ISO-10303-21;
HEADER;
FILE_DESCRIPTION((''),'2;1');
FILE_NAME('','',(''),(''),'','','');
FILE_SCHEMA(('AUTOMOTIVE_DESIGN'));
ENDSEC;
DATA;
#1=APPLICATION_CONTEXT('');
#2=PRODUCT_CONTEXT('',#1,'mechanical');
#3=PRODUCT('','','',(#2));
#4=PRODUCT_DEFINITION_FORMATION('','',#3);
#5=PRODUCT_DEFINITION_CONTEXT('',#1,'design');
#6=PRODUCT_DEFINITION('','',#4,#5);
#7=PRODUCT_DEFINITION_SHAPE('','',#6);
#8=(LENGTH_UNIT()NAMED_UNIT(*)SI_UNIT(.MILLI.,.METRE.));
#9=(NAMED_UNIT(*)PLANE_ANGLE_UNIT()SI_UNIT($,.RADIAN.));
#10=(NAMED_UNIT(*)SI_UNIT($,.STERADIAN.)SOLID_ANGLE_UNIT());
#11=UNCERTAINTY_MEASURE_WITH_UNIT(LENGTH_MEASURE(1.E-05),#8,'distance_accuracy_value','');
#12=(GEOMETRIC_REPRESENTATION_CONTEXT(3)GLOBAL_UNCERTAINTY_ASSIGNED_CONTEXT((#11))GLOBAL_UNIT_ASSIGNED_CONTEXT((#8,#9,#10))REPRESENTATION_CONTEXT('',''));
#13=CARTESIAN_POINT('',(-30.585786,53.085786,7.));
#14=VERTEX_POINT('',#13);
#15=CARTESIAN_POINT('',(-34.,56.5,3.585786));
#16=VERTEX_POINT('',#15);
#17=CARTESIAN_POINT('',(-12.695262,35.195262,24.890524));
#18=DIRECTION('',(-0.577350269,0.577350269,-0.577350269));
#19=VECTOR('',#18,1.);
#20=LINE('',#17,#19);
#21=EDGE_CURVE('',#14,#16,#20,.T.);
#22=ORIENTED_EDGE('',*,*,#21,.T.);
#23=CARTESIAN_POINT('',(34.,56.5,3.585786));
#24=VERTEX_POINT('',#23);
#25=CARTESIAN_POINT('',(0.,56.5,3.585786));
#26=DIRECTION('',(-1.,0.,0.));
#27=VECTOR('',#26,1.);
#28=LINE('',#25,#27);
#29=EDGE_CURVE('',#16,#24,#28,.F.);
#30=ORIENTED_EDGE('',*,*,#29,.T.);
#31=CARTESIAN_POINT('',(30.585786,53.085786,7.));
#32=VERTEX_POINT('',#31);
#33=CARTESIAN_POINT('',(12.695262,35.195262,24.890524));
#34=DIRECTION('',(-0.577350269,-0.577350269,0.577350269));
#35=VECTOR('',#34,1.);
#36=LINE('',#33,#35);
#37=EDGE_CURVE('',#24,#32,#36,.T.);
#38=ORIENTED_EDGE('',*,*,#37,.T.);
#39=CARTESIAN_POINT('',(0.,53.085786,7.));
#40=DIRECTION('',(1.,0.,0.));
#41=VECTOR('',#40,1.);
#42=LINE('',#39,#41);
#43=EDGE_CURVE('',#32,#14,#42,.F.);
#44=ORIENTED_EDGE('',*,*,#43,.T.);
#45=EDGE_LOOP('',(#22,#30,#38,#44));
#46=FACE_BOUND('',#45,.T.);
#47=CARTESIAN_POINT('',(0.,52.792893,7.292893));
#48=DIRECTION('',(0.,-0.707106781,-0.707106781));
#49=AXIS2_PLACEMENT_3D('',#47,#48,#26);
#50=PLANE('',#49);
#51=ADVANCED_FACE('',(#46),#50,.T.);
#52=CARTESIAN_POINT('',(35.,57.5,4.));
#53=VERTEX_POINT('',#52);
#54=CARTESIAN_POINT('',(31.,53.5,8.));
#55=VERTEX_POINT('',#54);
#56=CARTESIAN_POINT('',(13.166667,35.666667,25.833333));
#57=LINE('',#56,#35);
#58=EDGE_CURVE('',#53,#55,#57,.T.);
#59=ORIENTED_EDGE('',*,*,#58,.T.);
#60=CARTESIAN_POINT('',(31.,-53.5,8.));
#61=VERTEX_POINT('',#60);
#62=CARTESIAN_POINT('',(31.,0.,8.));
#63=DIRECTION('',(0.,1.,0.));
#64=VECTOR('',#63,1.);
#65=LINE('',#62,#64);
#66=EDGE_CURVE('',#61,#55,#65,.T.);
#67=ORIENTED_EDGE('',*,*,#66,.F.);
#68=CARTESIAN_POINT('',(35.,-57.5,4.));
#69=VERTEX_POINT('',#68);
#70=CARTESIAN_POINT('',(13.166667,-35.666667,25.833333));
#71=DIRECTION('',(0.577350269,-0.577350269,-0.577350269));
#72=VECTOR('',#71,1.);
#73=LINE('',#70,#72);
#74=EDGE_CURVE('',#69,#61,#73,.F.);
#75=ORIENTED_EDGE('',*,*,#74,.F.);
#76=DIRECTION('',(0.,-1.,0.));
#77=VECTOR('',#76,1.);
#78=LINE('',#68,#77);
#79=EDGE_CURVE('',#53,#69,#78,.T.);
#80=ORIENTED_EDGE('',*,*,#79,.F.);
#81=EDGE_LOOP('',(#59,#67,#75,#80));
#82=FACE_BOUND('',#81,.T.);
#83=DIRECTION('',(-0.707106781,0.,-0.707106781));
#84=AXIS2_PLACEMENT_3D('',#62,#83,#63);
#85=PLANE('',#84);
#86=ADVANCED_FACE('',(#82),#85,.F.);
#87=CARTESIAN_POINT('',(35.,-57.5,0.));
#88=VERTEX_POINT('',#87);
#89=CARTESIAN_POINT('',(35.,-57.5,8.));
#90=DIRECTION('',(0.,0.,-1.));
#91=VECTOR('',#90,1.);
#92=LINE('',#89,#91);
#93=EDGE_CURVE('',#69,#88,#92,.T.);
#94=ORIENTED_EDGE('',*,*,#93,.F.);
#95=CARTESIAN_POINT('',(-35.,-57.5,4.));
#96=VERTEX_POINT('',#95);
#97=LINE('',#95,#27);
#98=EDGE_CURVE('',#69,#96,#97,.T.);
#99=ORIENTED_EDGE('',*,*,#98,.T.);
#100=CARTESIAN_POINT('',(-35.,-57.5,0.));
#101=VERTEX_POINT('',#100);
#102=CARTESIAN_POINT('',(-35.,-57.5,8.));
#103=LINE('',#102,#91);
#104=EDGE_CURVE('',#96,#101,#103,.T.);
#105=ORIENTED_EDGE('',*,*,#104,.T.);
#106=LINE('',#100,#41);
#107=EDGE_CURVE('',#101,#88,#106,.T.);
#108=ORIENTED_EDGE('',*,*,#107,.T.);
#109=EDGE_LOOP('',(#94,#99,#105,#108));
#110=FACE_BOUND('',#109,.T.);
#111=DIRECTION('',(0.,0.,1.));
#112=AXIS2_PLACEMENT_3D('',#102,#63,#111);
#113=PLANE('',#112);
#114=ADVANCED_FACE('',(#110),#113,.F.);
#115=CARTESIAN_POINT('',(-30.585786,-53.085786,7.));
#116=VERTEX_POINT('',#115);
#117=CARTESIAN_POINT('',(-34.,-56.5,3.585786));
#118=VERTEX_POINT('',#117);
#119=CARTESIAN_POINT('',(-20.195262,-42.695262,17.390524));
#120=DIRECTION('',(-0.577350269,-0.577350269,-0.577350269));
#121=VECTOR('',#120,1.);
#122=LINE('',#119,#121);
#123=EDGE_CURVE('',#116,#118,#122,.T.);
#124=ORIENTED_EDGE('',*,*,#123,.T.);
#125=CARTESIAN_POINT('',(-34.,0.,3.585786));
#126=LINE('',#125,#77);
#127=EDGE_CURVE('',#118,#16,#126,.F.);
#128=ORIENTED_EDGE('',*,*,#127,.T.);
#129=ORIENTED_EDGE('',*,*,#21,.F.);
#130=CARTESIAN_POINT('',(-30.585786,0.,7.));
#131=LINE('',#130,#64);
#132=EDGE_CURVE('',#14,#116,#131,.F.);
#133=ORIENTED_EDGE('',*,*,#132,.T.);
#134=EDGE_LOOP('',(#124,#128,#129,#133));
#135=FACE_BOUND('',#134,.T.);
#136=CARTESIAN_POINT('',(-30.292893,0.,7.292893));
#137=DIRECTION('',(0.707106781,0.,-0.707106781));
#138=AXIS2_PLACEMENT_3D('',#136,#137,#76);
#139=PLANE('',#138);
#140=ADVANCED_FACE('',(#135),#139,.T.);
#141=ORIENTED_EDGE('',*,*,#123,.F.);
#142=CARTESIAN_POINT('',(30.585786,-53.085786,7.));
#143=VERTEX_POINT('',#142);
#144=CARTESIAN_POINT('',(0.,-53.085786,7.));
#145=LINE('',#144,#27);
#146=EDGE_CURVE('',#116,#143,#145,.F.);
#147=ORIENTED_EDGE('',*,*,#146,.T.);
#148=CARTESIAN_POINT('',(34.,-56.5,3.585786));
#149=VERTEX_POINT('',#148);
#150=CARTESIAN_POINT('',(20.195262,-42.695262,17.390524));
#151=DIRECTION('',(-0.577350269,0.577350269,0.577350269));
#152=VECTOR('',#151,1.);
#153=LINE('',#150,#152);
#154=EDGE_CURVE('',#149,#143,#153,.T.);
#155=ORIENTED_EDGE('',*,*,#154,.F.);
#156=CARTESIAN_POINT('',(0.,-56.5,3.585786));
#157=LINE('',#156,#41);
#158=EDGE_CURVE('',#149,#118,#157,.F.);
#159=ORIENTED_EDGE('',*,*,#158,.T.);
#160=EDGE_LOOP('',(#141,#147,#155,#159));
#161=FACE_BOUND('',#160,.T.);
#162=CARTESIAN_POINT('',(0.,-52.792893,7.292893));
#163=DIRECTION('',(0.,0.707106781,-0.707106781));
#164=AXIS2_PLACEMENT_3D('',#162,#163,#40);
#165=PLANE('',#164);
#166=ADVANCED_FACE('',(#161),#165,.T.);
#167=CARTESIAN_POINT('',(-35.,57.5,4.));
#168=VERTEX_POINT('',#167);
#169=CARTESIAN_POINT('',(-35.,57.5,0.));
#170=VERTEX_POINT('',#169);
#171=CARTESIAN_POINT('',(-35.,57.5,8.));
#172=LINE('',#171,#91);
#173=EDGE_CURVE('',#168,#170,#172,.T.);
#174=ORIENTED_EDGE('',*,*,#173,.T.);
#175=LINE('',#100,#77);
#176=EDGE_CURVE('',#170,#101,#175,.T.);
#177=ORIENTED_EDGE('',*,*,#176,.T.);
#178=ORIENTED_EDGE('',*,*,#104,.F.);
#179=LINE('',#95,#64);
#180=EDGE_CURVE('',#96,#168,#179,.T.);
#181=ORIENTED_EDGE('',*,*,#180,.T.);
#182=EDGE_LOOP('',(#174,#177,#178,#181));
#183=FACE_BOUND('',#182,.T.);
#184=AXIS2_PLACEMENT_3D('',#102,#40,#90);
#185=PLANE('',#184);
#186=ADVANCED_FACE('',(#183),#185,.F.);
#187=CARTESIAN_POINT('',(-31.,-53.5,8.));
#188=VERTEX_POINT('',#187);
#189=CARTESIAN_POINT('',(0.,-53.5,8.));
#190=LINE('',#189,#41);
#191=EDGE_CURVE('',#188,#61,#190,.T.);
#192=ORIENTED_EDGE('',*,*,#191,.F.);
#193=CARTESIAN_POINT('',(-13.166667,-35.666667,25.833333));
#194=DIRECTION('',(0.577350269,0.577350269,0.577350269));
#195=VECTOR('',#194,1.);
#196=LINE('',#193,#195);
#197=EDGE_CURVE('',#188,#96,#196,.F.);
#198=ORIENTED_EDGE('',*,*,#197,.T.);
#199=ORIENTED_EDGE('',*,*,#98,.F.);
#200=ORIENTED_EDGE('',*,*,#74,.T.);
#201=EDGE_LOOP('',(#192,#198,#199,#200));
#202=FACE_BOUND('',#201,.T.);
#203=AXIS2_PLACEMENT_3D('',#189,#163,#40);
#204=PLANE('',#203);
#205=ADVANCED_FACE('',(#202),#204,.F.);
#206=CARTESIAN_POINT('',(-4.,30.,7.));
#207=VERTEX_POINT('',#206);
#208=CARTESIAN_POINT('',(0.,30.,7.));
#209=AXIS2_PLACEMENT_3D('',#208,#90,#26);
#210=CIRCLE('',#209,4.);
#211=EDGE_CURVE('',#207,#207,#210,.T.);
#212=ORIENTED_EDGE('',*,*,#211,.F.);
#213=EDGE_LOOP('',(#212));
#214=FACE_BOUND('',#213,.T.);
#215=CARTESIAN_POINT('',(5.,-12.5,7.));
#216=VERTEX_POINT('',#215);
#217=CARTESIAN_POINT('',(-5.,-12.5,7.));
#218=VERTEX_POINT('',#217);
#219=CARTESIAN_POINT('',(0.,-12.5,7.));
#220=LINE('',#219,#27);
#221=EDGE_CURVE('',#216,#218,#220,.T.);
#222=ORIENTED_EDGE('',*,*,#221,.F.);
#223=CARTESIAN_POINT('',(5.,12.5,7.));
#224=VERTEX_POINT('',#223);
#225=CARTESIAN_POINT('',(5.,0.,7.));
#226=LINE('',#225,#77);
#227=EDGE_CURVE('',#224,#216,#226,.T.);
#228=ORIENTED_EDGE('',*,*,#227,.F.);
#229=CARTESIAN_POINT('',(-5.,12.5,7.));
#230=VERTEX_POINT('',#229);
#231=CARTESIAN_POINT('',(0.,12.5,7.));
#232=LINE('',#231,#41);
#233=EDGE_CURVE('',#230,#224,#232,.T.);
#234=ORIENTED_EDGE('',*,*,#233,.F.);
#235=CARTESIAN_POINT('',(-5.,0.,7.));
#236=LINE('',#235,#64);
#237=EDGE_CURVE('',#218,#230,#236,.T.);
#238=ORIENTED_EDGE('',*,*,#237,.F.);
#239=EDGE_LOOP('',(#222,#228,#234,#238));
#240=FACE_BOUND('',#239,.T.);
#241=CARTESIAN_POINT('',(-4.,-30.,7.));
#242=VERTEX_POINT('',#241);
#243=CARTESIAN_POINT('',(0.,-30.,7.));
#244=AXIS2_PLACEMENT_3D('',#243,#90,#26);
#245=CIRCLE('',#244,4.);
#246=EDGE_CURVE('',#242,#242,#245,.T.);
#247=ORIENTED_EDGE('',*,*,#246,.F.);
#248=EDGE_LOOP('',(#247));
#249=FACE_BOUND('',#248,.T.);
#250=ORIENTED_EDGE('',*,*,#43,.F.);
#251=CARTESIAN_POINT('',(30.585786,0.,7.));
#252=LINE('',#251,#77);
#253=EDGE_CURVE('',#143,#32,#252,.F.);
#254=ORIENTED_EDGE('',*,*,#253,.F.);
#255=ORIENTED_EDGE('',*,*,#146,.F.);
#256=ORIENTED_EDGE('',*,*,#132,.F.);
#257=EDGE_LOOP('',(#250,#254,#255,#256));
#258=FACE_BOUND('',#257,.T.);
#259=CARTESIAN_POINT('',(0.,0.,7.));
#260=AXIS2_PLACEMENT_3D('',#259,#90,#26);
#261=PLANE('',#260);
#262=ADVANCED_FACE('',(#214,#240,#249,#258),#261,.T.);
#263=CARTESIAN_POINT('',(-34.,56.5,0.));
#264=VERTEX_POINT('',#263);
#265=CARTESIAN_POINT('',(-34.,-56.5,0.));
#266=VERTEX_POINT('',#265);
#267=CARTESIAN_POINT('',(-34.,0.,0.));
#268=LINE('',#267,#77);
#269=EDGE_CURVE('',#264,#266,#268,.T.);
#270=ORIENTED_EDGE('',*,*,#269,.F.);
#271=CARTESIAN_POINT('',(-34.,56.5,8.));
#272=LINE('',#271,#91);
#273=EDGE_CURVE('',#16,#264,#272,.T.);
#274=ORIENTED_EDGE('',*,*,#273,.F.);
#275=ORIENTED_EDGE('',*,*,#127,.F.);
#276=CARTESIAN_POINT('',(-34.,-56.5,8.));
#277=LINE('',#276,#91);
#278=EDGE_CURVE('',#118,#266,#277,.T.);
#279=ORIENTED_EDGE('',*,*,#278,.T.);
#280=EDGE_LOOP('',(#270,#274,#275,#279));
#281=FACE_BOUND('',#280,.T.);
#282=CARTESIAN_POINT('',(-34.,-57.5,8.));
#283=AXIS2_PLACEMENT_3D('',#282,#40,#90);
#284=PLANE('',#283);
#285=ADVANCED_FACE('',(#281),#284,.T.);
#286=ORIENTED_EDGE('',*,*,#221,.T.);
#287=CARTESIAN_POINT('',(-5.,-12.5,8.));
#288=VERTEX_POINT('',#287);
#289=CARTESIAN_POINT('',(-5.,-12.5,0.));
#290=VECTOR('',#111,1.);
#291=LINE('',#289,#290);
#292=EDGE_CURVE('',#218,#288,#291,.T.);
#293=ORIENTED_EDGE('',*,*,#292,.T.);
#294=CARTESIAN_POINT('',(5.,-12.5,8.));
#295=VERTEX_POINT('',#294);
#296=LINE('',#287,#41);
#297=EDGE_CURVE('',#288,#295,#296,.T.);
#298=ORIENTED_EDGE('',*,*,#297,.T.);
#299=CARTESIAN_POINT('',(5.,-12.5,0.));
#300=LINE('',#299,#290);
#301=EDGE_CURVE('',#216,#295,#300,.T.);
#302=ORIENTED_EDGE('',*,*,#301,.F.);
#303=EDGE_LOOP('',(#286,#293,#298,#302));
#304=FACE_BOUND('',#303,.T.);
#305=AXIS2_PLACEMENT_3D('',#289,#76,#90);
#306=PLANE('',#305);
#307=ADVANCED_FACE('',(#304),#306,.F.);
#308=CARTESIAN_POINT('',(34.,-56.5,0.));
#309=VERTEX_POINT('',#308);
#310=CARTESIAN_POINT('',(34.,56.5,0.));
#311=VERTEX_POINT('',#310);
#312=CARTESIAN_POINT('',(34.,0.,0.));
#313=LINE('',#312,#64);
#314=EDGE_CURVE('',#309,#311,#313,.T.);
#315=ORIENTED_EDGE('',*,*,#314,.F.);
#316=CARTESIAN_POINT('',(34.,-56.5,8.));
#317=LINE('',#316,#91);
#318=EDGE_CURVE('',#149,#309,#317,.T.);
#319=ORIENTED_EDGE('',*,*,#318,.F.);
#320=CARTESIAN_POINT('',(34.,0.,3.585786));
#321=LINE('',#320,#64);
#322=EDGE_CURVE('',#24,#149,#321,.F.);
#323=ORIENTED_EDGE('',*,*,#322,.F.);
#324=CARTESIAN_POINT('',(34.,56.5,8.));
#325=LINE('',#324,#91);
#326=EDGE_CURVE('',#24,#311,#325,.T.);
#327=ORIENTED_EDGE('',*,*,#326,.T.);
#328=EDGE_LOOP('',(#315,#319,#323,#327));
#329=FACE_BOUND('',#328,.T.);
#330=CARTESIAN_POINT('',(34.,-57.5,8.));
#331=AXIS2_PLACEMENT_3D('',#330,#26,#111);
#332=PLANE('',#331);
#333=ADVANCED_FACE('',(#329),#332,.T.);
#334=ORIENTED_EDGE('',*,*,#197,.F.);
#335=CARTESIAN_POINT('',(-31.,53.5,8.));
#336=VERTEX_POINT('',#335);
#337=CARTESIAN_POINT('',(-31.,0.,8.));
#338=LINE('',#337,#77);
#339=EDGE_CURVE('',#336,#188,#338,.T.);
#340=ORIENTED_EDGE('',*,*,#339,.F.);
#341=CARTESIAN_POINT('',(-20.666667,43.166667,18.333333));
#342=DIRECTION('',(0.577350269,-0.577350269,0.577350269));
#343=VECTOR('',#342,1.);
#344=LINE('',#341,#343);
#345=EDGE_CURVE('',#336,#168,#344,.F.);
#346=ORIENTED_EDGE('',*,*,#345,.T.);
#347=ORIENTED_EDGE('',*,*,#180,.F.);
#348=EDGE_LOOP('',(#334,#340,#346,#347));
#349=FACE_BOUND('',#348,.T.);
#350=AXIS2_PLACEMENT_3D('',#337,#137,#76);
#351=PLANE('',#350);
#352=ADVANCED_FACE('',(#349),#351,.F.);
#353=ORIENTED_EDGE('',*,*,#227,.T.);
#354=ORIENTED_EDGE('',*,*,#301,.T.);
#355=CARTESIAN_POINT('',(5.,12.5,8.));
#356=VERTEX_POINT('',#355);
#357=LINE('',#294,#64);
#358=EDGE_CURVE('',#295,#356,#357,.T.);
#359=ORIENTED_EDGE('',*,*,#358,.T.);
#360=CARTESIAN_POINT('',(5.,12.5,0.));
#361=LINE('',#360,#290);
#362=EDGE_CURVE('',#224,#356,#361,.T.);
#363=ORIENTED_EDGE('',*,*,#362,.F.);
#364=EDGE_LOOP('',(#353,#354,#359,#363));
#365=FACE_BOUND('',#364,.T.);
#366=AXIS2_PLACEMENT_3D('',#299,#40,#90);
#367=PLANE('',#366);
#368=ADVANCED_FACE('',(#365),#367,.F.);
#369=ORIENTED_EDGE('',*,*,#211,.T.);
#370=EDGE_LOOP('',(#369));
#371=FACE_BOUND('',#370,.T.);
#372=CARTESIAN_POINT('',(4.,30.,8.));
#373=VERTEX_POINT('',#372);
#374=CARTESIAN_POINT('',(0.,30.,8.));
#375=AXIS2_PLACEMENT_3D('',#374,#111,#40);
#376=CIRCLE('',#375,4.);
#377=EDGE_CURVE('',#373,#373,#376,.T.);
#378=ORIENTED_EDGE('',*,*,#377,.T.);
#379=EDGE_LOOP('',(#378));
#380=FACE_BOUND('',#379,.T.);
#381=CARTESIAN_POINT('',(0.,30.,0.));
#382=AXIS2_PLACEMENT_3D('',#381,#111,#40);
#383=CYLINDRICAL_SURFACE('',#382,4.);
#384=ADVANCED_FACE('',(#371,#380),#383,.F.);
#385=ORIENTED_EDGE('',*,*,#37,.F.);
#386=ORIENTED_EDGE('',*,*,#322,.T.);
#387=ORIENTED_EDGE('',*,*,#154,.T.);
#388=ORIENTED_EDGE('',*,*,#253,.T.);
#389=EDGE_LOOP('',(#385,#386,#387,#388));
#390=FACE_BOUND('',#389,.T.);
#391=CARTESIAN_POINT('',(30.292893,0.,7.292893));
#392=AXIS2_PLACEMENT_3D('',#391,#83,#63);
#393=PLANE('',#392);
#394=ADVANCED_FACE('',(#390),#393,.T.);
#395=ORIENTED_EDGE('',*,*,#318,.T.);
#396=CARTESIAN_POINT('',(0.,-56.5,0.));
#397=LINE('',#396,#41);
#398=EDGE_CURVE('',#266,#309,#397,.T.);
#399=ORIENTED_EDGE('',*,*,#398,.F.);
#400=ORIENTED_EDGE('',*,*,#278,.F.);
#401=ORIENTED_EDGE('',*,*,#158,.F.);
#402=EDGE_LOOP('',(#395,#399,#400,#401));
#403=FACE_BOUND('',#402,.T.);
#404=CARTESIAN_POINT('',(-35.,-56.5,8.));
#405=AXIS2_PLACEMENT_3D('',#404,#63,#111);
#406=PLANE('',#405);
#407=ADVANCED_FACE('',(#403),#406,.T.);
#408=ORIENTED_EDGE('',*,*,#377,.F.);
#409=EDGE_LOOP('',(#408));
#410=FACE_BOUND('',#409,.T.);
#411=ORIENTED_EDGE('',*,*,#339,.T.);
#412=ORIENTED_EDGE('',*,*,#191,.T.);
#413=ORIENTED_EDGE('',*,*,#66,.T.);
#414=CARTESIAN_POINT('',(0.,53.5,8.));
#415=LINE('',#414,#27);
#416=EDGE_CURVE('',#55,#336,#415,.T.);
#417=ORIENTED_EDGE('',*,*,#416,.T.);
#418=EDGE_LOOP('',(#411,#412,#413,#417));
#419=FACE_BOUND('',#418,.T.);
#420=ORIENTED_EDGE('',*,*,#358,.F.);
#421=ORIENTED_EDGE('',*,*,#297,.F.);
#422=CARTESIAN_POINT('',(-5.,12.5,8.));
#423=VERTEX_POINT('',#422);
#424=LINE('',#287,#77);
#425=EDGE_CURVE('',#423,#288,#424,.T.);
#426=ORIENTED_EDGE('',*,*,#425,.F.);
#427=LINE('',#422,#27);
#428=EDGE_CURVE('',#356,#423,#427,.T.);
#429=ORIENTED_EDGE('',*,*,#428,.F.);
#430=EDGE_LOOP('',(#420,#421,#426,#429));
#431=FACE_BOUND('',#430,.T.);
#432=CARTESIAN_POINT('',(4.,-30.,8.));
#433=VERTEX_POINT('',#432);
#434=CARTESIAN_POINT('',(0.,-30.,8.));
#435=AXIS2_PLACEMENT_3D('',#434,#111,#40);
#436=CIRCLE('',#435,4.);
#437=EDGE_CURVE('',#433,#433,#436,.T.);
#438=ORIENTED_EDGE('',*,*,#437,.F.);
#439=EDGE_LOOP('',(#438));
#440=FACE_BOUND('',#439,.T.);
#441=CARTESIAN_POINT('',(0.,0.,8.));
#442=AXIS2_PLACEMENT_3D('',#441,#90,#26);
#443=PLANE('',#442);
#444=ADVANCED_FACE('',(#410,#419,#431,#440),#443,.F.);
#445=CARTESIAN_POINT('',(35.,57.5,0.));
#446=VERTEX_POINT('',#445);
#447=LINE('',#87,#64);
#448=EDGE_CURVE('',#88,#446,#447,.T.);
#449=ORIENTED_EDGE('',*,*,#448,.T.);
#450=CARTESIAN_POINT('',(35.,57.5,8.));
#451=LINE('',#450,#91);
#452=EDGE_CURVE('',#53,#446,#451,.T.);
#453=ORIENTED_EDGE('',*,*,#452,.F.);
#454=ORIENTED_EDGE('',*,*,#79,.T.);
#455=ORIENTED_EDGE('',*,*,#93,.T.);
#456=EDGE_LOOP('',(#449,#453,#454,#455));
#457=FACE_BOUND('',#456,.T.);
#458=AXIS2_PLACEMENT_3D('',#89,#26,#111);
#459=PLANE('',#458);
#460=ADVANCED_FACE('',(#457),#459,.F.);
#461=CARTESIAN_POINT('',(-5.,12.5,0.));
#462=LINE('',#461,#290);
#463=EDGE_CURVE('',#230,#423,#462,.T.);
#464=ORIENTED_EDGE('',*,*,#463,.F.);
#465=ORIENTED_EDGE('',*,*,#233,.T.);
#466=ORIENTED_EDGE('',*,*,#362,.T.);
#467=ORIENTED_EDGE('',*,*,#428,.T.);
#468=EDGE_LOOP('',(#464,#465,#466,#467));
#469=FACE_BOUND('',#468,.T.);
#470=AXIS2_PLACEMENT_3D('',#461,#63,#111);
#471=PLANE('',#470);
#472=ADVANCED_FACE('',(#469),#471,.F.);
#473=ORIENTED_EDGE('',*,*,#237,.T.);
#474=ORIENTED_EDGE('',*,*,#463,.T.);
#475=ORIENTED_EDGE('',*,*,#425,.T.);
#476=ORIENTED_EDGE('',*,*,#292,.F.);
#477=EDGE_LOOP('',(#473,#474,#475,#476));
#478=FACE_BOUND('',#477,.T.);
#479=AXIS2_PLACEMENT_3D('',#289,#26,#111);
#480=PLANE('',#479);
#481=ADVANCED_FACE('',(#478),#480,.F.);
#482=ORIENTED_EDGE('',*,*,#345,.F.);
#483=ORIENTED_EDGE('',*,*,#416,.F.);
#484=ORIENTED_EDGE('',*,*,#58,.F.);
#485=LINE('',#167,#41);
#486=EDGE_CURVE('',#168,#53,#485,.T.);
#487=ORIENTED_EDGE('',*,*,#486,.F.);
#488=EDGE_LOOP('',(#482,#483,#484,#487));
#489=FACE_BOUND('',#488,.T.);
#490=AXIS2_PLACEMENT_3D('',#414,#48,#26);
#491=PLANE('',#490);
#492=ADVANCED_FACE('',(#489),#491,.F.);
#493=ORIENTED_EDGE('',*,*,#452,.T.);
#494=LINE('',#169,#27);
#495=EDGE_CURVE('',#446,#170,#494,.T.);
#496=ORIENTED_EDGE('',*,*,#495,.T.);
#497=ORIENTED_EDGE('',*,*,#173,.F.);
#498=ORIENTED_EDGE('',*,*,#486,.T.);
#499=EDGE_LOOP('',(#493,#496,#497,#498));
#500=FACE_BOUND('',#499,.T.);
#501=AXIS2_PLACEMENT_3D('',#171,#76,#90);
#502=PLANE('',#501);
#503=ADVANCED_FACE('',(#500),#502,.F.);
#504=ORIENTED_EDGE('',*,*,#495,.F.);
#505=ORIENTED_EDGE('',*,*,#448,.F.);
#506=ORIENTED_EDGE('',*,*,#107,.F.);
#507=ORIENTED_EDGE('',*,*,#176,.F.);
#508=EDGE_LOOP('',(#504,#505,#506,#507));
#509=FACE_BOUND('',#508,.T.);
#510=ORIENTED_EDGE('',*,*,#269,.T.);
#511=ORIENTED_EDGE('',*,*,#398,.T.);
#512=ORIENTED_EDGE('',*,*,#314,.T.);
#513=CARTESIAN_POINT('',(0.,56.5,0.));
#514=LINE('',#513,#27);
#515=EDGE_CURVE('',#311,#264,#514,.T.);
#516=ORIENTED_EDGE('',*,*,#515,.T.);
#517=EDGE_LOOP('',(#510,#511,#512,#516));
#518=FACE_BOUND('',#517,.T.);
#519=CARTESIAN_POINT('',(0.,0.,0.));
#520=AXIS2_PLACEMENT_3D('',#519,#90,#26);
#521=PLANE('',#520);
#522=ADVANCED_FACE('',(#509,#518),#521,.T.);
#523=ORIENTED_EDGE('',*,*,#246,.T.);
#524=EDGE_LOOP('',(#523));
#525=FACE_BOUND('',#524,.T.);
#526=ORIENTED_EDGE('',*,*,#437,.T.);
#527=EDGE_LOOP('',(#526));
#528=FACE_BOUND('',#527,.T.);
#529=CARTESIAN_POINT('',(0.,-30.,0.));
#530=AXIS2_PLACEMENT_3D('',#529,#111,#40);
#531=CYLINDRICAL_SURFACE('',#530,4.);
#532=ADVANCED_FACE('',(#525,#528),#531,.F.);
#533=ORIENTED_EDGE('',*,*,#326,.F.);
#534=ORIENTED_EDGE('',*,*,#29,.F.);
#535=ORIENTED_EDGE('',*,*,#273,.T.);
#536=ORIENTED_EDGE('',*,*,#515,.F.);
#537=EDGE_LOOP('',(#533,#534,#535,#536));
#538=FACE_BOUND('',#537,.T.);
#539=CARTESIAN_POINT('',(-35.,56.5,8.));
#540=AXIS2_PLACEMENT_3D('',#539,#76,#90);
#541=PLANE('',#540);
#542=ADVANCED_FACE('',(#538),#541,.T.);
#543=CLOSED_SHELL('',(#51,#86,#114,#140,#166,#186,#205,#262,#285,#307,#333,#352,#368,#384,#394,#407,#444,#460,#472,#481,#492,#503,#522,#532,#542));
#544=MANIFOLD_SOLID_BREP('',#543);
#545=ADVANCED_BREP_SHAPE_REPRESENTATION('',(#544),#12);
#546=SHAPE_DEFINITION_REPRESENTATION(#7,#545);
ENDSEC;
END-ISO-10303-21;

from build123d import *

# Parameters (mm, degrees)
CROQUIS1_W              = 70
CROQUIS1_H              = 115
SALIENTE_EXTRUIR1_DEPTH = 8
CHAFL_N1_SIZE           = 4
VACIADO1_T              = -1
CROQUIS2_R              = 4
CROQUIS2_W              = 10
CROQUIS2_H              = 25
CORTAR_EXTRUIR1_DEPTH   = 68.788273322


with BuildPart() as part:
    # Croquis1 → Saliente-Extruir1 (new body)
    with BuildSketch(Plane.XY):
        Rectangle(CROQUIS1_W, CROQUIS1_H)
    extrude(amount=SALIENTE_EXTRUIR1_DEPTH)

    # Chaflán1
    chafl_n1_edges = [part.edges().sort_by_distance(p)[0] for p in [
        (-35, 0, 8),
        (0, -57.5, 8),
        (35, 0, 8),
        (0, 57.5, 8),
    ]]
    chamfer(chafl_n1_edges, length=CHAFL_N1_SIZE)

    # Vaciado1
    vaciado1_openings = [part.faces().sort_by_distance(p)[0] for p in [
        (0, 0, 0),
    ]]
    offset(amount=VACIADO1_T, openings=vaciado1_openings, kind=Kind.INTERSECTION)

    # Croquis2 → Cortar-Extruir1 (cut, through all)
    with BuildSketch(Plane.XY.offset(8)):
        with Locations((0, 30)):
            Circle(CROQUIS2_R)
        with Locations((0, -30)):
            Circle(CROQUIS2_R)
        Rectangle(CROQUIS2_W, CROQUIS2_H)
    extrude(amount=-CORTAR_EXTRUIR1_DEPTH, mode=Mode.SUBTRACT)


solid = part.part
